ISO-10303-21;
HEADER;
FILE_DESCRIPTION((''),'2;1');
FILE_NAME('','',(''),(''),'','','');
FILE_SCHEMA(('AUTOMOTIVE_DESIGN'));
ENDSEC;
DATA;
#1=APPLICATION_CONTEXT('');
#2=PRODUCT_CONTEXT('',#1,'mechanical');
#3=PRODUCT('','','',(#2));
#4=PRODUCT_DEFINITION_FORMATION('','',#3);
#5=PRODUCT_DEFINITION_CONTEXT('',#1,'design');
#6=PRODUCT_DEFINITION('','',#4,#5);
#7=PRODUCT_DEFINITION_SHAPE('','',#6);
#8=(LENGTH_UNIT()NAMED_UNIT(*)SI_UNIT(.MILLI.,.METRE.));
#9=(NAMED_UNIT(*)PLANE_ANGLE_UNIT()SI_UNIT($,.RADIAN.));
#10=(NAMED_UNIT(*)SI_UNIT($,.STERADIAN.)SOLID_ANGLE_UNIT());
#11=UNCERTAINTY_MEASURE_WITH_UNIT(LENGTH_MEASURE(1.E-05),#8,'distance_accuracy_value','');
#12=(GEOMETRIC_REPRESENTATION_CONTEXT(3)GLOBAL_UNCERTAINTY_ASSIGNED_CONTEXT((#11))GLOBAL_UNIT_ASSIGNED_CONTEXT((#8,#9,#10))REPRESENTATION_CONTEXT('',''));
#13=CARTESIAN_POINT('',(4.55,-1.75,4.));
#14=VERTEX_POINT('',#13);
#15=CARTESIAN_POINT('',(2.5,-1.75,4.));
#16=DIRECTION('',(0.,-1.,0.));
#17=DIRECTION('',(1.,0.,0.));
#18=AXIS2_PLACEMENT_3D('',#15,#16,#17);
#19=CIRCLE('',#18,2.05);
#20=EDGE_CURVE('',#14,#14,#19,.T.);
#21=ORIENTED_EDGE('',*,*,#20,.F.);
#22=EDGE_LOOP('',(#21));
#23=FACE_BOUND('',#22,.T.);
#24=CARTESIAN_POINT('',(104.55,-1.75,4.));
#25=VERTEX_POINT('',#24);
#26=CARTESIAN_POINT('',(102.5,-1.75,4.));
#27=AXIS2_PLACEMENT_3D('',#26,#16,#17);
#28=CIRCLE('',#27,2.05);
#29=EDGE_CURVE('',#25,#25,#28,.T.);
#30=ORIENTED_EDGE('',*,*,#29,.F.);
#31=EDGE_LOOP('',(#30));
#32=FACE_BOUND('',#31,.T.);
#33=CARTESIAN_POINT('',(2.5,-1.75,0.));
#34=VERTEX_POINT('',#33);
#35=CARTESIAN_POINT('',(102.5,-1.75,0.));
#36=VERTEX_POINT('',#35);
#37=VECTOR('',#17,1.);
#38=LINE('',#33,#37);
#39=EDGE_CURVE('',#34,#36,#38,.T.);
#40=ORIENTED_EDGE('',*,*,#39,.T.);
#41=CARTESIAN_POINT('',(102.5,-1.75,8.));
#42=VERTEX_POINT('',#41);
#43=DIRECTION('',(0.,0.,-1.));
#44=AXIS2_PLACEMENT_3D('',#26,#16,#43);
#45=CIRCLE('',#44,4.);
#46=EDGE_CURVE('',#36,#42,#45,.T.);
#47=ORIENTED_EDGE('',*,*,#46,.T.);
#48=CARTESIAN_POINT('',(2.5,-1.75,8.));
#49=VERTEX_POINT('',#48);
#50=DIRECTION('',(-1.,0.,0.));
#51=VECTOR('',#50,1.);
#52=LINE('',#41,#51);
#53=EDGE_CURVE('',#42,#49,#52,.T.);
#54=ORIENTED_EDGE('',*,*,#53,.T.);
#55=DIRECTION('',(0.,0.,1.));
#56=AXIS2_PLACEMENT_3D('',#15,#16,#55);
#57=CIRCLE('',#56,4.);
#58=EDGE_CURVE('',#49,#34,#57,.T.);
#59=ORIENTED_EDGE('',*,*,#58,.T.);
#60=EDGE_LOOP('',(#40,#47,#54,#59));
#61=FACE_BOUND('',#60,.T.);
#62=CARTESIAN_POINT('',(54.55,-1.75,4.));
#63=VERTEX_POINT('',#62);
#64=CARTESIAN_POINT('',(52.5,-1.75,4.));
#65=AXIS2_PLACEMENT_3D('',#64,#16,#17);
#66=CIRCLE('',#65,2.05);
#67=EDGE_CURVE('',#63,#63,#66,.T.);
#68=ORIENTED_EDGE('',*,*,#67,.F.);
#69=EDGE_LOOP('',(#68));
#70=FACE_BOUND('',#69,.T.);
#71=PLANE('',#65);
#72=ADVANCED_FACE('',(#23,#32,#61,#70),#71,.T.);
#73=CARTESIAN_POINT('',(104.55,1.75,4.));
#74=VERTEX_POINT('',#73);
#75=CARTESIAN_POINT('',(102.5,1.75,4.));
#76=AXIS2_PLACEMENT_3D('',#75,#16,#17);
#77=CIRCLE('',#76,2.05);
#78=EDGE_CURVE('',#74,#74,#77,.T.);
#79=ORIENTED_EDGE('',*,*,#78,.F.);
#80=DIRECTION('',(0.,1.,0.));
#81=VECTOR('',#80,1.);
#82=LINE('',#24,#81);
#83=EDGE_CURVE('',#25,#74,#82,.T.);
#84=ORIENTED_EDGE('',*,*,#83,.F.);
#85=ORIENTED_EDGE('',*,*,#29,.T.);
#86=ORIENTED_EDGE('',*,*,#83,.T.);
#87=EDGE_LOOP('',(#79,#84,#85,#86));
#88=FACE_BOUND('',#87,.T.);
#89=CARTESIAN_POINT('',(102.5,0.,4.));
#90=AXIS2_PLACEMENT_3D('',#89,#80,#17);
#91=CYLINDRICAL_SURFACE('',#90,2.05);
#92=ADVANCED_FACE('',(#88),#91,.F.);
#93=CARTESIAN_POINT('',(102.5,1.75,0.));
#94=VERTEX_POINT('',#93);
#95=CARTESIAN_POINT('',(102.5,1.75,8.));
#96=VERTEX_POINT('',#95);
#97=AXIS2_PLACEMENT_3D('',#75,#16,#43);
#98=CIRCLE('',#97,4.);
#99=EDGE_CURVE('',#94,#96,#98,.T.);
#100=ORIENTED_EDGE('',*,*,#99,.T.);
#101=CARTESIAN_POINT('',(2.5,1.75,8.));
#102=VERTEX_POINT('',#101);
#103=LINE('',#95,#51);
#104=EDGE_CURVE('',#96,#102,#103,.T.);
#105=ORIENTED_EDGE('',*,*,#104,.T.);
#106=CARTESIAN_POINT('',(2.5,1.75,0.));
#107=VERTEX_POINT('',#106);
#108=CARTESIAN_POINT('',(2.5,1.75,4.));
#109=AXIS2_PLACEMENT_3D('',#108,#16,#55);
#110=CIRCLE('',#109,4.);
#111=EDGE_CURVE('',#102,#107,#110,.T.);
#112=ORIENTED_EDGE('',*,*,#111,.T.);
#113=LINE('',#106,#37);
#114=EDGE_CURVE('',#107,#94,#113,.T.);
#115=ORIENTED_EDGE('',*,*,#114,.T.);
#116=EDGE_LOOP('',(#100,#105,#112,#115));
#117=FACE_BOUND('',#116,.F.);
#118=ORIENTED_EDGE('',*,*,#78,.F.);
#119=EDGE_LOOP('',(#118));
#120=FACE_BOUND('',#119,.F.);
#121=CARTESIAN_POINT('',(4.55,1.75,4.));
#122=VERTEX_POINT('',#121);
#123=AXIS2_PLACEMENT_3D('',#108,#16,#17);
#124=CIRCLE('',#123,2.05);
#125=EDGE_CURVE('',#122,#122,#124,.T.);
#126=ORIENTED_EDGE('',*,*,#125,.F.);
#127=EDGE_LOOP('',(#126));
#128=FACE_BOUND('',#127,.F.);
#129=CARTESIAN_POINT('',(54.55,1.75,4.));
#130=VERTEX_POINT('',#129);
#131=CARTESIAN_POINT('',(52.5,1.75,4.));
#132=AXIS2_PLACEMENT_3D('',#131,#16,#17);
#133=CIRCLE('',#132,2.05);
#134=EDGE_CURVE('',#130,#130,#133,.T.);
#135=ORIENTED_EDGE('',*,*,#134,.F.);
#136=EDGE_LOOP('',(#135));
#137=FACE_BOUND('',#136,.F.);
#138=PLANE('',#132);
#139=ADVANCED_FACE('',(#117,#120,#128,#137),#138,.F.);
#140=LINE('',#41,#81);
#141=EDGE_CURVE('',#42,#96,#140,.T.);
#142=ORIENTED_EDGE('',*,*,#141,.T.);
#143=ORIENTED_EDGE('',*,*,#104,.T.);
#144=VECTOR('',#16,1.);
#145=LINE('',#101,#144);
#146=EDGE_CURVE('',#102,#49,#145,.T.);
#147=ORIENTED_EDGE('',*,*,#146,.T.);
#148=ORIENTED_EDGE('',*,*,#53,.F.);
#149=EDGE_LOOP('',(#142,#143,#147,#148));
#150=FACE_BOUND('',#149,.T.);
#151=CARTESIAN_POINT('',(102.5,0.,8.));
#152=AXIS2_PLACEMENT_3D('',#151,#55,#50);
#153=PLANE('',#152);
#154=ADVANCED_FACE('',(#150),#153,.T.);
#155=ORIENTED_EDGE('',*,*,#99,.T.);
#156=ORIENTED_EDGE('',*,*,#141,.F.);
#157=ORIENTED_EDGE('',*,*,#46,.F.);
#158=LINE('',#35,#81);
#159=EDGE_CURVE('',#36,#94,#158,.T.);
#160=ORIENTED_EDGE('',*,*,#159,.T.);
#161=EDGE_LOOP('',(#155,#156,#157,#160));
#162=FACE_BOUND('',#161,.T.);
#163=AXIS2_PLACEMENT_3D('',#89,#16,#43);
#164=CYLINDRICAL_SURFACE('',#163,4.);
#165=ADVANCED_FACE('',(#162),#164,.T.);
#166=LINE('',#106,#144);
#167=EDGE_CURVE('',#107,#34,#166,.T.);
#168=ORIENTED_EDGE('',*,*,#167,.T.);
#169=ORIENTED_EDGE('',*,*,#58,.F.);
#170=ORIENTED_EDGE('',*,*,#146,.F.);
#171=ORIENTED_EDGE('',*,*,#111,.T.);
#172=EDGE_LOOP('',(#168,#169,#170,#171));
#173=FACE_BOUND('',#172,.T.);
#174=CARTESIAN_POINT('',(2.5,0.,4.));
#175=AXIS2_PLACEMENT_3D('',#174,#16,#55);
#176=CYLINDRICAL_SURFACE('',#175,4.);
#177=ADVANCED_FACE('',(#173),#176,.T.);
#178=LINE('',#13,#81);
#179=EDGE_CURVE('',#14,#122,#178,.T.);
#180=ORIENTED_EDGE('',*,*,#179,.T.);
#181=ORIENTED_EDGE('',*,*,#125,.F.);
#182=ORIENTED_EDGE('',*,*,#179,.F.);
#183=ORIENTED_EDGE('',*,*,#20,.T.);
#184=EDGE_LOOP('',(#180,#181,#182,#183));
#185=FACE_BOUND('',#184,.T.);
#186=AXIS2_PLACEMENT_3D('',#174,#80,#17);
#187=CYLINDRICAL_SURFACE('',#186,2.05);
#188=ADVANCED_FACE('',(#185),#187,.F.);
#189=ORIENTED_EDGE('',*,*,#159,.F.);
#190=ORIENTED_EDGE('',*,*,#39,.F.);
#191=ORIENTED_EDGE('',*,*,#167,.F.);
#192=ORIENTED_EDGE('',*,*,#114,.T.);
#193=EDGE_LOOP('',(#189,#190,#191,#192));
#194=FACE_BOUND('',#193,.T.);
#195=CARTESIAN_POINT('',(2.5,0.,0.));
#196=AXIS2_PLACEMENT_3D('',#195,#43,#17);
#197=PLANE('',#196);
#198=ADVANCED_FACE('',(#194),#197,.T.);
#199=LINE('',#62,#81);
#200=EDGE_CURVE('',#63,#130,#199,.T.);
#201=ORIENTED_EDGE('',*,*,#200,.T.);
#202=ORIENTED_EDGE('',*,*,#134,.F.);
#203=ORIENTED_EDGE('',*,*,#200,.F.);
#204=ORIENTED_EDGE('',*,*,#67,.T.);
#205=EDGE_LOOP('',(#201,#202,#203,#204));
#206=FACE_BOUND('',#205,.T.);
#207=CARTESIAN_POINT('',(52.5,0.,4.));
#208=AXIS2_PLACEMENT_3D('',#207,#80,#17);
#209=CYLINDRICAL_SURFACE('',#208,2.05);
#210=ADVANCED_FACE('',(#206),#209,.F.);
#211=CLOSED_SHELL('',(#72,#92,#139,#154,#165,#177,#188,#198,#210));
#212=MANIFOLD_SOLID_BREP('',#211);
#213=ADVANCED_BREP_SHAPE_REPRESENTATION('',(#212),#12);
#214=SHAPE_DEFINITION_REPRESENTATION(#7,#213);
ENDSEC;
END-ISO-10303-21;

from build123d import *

# Parameters (mm, degrees)
F0_R     = 2.05
F1_DEPTH = 1.75


with BuildPart() as f1:
    # F0 (on Front) → F1 (new body, symmetric)
    with BuildSketch(Plane.XZ):
        with BuildLine():
            Line((102.5, 8), (2.5, 8))
            ThreePointArc((2.5, 8), (-1.5, 4), (2.5, 0))
            Line((2.5, 0), (102.5, 0))
            ThreePointArc((102.5, 0), (106.5, 4), (102.5, 8))
        make_face()
        with Locations((2.5, 4)):
            Circle(F0_R, mode=Mode.SUBTRACT)
        with Locations((52.5, 4)):
            Circle(F0_R, mode=Mode.SUBTRACT)
        with Locations((102.5, 4)):
            Circle(F0_R, mode=Mode.SUBTRACT)
    extrude(amount=F1_DEPTH, both=True)


solid = f1.part
